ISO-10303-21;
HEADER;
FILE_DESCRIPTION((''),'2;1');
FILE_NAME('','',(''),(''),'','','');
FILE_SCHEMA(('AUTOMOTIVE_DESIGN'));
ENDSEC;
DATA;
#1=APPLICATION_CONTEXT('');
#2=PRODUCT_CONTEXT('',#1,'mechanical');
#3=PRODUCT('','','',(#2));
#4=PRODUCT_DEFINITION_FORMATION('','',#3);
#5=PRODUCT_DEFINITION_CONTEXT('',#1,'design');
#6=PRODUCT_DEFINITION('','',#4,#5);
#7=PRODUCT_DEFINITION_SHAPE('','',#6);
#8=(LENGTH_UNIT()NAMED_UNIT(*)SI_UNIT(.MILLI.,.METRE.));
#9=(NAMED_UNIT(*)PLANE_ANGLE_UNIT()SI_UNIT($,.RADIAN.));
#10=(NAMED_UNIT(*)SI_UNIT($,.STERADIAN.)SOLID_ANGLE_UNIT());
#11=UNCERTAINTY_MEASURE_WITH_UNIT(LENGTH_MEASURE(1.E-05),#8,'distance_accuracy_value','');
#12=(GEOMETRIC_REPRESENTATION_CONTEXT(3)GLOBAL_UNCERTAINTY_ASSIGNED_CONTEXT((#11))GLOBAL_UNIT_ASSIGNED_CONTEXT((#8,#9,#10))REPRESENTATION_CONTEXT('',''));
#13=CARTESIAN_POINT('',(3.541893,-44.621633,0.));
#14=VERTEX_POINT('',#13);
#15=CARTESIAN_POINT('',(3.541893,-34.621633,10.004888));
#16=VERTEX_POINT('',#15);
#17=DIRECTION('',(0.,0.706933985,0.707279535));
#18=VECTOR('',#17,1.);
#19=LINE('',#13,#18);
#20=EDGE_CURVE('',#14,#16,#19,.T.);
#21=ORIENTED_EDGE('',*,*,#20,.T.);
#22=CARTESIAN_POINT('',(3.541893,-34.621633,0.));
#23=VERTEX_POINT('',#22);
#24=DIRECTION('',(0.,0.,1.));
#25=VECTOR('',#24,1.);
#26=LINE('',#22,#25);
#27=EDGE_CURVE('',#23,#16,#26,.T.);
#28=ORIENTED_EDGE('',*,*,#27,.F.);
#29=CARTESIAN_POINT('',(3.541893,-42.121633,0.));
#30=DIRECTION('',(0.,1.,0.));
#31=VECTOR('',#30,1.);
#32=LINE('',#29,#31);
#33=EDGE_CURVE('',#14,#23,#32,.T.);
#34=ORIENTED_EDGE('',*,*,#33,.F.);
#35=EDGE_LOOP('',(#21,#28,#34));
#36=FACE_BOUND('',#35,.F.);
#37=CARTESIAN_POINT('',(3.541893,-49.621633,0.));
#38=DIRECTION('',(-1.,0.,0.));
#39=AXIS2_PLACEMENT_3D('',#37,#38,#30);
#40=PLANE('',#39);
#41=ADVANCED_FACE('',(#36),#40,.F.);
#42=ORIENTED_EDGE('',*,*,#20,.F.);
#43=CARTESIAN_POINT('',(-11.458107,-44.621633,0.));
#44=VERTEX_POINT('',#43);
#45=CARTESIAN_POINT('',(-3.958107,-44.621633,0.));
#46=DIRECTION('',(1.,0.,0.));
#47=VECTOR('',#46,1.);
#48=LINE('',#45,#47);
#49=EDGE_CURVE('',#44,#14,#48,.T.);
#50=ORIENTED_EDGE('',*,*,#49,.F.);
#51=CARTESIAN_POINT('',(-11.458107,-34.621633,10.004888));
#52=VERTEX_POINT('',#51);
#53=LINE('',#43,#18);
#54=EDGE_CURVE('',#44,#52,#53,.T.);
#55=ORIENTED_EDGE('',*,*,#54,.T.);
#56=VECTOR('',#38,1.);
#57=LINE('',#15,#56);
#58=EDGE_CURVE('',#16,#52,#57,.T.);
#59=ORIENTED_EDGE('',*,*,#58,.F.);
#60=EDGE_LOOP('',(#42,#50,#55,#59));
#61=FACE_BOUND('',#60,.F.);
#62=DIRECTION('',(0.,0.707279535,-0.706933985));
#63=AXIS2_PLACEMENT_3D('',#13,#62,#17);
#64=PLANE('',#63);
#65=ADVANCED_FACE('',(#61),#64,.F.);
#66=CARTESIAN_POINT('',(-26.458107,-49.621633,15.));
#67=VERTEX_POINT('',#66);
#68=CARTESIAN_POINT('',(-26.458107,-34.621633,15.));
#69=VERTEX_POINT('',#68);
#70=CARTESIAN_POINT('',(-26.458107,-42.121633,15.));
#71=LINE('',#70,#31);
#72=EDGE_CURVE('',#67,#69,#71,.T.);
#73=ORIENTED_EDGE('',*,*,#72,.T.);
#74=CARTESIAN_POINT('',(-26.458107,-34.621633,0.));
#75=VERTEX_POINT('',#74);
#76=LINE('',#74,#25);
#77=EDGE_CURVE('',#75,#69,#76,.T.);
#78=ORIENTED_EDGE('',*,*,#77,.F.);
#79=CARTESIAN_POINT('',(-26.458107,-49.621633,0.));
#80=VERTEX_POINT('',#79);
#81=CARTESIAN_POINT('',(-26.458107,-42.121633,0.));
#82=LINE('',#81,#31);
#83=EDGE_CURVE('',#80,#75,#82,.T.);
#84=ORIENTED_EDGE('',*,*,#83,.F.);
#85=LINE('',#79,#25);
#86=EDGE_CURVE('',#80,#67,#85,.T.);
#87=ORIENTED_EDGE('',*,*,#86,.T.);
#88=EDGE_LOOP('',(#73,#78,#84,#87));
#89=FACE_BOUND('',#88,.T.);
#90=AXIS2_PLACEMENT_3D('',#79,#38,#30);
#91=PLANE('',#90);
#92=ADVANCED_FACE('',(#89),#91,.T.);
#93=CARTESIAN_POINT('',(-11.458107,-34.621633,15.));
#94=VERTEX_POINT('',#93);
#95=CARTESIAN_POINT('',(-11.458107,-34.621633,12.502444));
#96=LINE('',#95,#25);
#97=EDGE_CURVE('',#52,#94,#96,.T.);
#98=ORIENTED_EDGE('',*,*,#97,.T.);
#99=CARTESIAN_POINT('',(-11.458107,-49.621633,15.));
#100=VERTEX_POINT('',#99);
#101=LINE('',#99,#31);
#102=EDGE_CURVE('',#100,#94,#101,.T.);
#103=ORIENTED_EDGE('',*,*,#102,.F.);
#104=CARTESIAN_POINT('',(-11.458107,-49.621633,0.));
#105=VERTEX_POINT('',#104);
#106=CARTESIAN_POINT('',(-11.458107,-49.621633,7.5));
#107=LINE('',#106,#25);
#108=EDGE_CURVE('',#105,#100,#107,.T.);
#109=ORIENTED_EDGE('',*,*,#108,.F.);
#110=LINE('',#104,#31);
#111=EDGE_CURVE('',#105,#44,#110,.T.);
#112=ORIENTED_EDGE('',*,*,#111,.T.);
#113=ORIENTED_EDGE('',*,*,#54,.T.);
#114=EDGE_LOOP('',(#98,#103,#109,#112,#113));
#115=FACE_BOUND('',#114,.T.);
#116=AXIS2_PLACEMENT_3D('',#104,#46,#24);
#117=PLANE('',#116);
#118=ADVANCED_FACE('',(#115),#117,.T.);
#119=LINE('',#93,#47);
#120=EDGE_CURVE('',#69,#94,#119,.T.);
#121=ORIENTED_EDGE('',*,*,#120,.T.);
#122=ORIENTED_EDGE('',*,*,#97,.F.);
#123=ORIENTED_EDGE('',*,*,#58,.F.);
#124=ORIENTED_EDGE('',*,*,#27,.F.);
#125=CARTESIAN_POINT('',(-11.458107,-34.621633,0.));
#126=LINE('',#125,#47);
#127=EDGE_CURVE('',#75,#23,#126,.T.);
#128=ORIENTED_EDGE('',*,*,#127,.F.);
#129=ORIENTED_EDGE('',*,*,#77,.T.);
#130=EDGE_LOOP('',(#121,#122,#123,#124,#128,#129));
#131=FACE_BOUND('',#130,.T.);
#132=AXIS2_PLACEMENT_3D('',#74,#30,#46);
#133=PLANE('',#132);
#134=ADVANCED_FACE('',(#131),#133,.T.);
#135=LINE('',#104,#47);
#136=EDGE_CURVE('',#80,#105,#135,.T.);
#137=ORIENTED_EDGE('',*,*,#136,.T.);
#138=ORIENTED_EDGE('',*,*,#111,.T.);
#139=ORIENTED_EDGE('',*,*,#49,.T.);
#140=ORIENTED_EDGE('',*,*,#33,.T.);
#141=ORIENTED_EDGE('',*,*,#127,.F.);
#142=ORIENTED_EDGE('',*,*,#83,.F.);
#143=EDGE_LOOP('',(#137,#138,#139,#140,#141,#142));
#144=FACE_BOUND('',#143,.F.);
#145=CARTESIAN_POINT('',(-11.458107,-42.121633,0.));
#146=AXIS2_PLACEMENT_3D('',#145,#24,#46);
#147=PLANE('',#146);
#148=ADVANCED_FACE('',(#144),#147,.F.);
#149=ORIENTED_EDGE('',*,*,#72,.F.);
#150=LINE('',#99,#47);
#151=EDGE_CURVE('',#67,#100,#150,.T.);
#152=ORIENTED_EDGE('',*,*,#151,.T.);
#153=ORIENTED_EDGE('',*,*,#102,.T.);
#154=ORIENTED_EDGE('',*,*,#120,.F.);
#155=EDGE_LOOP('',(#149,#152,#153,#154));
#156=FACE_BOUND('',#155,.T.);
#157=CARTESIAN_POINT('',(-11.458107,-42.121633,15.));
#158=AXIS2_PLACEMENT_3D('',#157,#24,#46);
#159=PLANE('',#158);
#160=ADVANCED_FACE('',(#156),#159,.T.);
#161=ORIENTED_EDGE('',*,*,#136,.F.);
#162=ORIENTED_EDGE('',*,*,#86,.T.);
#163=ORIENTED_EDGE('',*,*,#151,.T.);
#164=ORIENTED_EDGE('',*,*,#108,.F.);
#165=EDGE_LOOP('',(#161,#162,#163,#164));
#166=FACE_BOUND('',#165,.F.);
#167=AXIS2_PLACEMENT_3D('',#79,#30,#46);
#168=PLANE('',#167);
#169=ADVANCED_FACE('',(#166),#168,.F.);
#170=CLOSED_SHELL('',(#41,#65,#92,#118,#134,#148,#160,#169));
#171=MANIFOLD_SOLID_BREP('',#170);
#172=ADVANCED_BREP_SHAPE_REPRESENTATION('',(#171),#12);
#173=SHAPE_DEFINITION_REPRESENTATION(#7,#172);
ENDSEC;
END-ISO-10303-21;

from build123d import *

# Parameters (mm, degrees)
F0_W     = 30
F0_H     = 15
F1_DEPTH = 15
F2_W     = 15
F2_H     = 15
F3_DEPTH = 5
F4_W     = 10
F4_H     = 4.995112
F5_DEPTH = 15
F7_DEPTH = 15


with BuildPart() as f1:
    # F0 (on Top) → F1 (new body)
    with BuildSketch(Plane.XY):
        with Locations((-11.458107, -42.121633)):
            Rectangle(F0_W, F0_H)
    extrude(amount=F1_DEPTH)

    # F2 (on face) → F3 (cut)
    with BuildSketch(Plane.XZ.offset(49.621633)):
        with Locations((-3.958107, 7.5)):
            Rectangle(F2_W, F2_H)
    extrude(amount=-F3_DEPTH, mode=Mode.SUBTRACT)

    # F4 (on face) → F5 (cut)
    with BuildSketch(Plane.YZ.offset(3.541893)):
        with Locations((-39.621633, 12.502444)):
            Rectangle(F4_W, F4_H)
    extrude(amount=-F5_DEPTH, mode=Mode.SUBTRACT)

    # F6 (on face) → F7 (cut)
    with BuildSketch(Plane.YZ.offset(3.541893)):
        Polygon((-44.621633, 10.004888), (-44.621633, 0), (-34.621633, 10.004888), align=None)
    extrude(amount=-F7_DEPTH, mode=Mode.SUBTRACT)


solid = f1.part
